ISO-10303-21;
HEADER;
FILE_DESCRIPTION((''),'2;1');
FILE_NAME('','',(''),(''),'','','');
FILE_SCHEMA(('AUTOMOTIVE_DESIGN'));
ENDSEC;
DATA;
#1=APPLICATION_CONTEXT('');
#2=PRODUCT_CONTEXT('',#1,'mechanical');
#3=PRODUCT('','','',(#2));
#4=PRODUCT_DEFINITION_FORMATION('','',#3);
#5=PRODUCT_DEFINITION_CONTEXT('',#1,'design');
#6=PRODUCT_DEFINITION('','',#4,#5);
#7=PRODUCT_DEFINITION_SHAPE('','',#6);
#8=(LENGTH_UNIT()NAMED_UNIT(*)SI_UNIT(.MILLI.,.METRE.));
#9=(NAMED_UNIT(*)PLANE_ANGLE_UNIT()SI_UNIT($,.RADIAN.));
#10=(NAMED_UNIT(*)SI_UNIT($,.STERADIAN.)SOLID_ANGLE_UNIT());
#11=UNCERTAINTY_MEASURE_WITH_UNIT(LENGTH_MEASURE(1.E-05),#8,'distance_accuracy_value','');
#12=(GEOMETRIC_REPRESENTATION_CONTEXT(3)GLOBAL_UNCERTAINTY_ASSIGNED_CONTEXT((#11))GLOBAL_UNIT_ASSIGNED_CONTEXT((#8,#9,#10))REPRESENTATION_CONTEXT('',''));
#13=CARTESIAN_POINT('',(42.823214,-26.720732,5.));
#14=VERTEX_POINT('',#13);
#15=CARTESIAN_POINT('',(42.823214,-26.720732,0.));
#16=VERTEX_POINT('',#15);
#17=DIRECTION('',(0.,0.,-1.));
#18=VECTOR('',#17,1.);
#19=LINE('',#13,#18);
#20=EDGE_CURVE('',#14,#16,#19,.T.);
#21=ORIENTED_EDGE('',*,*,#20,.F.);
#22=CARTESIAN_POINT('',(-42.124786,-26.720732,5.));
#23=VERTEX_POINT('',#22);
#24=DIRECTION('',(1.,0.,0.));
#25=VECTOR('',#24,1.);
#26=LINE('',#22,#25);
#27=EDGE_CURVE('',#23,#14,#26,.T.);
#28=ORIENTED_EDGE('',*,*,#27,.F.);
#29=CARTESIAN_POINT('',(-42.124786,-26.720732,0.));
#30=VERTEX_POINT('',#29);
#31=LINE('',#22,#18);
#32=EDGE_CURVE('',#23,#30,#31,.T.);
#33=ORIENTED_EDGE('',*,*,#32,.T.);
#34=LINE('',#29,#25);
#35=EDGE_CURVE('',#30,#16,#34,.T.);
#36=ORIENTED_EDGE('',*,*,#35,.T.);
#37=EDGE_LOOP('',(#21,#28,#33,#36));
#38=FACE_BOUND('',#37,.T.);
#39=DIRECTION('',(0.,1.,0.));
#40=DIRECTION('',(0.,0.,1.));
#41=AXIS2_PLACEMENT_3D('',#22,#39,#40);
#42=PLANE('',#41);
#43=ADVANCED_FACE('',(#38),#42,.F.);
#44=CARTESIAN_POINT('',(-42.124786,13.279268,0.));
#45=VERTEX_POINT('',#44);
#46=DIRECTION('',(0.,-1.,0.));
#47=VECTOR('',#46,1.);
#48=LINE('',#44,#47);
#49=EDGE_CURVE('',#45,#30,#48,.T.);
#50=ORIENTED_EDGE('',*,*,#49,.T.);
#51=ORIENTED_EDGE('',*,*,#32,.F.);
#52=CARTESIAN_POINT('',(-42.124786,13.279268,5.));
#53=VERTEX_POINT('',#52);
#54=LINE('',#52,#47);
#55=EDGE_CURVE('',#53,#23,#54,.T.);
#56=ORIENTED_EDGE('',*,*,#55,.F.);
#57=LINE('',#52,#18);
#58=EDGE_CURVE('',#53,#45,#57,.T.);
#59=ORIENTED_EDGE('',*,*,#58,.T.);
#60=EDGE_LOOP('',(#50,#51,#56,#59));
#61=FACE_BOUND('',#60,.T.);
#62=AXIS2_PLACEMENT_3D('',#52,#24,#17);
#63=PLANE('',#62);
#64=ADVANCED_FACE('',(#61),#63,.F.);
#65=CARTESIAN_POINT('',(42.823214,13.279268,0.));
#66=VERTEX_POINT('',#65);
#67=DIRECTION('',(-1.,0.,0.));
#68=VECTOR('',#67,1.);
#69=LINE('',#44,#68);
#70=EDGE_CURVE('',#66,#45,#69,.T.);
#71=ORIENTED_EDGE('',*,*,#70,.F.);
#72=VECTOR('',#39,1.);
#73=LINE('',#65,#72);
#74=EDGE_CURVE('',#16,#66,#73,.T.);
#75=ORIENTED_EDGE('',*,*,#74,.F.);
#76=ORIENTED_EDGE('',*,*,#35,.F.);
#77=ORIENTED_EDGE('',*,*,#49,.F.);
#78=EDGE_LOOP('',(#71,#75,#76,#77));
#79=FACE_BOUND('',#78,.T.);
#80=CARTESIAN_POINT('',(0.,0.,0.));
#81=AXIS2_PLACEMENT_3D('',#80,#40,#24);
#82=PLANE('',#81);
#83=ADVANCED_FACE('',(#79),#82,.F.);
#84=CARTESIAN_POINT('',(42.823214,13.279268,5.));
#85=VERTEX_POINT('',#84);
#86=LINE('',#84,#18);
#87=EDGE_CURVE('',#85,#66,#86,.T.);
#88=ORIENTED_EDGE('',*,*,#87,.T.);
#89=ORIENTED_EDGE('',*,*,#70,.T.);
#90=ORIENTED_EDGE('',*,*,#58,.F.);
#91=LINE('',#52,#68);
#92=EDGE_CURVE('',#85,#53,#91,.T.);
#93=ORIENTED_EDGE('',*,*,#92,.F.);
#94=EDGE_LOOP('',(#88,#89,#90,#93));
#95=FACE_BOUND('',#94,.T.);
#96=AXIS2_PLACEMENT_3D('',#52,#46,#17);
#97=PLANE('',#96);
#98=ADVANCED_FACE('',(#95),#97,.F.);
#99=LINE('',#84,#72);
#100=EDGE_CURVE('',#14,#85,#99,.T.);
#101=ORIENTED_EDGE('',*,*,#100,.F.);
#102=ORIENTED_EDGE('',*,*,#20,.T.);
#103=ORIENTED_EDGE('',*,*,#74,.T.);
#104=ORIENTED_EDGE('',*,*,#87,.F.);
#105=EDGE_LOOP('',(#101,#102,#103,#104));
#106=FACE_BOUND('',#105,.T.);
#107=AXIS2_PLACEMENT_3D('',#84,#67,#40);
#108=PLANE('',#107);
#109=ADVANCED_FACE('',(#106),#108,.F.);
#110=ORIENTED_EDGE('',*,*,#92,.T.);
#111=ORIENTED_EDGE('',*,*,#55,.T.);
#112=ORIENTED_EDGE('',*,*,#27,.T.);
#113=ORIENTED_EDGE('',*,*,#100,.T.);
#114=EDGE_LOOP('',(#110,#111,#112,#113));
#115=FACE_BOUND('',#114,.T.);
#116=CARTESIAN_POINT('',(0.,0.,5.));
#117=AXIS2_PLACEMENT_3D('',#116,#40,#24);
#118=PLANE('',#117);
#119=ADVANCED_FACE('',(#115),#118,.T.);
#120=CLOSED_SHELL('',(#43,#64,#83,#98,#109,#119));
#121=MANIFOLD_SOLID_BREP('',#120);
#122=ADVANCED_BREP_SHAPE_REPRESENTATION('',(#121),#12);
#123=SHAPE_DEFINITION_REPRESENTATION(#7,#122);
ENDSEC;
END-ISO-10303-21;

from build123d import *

# Parameters (mm, degrees)
ESBO_O1_W                = 84.948
ESBO_O1_H                = 40
RESSALTO_EXTRUS_O1_DEPTH = 5


with BuildPart() as part:
    # Esboço1 → Ressalto-extrusão1 (new body)
    with BuildSketch(Plane.XY):
        with Locations((0.349214465, -6.720732394)):
            Rectangle(ESBO_O1_W, ESBO_O1_H)
    extrude(amount=RESSALTO_EXTRUS_O1_DEPTH)


solid = part.part
